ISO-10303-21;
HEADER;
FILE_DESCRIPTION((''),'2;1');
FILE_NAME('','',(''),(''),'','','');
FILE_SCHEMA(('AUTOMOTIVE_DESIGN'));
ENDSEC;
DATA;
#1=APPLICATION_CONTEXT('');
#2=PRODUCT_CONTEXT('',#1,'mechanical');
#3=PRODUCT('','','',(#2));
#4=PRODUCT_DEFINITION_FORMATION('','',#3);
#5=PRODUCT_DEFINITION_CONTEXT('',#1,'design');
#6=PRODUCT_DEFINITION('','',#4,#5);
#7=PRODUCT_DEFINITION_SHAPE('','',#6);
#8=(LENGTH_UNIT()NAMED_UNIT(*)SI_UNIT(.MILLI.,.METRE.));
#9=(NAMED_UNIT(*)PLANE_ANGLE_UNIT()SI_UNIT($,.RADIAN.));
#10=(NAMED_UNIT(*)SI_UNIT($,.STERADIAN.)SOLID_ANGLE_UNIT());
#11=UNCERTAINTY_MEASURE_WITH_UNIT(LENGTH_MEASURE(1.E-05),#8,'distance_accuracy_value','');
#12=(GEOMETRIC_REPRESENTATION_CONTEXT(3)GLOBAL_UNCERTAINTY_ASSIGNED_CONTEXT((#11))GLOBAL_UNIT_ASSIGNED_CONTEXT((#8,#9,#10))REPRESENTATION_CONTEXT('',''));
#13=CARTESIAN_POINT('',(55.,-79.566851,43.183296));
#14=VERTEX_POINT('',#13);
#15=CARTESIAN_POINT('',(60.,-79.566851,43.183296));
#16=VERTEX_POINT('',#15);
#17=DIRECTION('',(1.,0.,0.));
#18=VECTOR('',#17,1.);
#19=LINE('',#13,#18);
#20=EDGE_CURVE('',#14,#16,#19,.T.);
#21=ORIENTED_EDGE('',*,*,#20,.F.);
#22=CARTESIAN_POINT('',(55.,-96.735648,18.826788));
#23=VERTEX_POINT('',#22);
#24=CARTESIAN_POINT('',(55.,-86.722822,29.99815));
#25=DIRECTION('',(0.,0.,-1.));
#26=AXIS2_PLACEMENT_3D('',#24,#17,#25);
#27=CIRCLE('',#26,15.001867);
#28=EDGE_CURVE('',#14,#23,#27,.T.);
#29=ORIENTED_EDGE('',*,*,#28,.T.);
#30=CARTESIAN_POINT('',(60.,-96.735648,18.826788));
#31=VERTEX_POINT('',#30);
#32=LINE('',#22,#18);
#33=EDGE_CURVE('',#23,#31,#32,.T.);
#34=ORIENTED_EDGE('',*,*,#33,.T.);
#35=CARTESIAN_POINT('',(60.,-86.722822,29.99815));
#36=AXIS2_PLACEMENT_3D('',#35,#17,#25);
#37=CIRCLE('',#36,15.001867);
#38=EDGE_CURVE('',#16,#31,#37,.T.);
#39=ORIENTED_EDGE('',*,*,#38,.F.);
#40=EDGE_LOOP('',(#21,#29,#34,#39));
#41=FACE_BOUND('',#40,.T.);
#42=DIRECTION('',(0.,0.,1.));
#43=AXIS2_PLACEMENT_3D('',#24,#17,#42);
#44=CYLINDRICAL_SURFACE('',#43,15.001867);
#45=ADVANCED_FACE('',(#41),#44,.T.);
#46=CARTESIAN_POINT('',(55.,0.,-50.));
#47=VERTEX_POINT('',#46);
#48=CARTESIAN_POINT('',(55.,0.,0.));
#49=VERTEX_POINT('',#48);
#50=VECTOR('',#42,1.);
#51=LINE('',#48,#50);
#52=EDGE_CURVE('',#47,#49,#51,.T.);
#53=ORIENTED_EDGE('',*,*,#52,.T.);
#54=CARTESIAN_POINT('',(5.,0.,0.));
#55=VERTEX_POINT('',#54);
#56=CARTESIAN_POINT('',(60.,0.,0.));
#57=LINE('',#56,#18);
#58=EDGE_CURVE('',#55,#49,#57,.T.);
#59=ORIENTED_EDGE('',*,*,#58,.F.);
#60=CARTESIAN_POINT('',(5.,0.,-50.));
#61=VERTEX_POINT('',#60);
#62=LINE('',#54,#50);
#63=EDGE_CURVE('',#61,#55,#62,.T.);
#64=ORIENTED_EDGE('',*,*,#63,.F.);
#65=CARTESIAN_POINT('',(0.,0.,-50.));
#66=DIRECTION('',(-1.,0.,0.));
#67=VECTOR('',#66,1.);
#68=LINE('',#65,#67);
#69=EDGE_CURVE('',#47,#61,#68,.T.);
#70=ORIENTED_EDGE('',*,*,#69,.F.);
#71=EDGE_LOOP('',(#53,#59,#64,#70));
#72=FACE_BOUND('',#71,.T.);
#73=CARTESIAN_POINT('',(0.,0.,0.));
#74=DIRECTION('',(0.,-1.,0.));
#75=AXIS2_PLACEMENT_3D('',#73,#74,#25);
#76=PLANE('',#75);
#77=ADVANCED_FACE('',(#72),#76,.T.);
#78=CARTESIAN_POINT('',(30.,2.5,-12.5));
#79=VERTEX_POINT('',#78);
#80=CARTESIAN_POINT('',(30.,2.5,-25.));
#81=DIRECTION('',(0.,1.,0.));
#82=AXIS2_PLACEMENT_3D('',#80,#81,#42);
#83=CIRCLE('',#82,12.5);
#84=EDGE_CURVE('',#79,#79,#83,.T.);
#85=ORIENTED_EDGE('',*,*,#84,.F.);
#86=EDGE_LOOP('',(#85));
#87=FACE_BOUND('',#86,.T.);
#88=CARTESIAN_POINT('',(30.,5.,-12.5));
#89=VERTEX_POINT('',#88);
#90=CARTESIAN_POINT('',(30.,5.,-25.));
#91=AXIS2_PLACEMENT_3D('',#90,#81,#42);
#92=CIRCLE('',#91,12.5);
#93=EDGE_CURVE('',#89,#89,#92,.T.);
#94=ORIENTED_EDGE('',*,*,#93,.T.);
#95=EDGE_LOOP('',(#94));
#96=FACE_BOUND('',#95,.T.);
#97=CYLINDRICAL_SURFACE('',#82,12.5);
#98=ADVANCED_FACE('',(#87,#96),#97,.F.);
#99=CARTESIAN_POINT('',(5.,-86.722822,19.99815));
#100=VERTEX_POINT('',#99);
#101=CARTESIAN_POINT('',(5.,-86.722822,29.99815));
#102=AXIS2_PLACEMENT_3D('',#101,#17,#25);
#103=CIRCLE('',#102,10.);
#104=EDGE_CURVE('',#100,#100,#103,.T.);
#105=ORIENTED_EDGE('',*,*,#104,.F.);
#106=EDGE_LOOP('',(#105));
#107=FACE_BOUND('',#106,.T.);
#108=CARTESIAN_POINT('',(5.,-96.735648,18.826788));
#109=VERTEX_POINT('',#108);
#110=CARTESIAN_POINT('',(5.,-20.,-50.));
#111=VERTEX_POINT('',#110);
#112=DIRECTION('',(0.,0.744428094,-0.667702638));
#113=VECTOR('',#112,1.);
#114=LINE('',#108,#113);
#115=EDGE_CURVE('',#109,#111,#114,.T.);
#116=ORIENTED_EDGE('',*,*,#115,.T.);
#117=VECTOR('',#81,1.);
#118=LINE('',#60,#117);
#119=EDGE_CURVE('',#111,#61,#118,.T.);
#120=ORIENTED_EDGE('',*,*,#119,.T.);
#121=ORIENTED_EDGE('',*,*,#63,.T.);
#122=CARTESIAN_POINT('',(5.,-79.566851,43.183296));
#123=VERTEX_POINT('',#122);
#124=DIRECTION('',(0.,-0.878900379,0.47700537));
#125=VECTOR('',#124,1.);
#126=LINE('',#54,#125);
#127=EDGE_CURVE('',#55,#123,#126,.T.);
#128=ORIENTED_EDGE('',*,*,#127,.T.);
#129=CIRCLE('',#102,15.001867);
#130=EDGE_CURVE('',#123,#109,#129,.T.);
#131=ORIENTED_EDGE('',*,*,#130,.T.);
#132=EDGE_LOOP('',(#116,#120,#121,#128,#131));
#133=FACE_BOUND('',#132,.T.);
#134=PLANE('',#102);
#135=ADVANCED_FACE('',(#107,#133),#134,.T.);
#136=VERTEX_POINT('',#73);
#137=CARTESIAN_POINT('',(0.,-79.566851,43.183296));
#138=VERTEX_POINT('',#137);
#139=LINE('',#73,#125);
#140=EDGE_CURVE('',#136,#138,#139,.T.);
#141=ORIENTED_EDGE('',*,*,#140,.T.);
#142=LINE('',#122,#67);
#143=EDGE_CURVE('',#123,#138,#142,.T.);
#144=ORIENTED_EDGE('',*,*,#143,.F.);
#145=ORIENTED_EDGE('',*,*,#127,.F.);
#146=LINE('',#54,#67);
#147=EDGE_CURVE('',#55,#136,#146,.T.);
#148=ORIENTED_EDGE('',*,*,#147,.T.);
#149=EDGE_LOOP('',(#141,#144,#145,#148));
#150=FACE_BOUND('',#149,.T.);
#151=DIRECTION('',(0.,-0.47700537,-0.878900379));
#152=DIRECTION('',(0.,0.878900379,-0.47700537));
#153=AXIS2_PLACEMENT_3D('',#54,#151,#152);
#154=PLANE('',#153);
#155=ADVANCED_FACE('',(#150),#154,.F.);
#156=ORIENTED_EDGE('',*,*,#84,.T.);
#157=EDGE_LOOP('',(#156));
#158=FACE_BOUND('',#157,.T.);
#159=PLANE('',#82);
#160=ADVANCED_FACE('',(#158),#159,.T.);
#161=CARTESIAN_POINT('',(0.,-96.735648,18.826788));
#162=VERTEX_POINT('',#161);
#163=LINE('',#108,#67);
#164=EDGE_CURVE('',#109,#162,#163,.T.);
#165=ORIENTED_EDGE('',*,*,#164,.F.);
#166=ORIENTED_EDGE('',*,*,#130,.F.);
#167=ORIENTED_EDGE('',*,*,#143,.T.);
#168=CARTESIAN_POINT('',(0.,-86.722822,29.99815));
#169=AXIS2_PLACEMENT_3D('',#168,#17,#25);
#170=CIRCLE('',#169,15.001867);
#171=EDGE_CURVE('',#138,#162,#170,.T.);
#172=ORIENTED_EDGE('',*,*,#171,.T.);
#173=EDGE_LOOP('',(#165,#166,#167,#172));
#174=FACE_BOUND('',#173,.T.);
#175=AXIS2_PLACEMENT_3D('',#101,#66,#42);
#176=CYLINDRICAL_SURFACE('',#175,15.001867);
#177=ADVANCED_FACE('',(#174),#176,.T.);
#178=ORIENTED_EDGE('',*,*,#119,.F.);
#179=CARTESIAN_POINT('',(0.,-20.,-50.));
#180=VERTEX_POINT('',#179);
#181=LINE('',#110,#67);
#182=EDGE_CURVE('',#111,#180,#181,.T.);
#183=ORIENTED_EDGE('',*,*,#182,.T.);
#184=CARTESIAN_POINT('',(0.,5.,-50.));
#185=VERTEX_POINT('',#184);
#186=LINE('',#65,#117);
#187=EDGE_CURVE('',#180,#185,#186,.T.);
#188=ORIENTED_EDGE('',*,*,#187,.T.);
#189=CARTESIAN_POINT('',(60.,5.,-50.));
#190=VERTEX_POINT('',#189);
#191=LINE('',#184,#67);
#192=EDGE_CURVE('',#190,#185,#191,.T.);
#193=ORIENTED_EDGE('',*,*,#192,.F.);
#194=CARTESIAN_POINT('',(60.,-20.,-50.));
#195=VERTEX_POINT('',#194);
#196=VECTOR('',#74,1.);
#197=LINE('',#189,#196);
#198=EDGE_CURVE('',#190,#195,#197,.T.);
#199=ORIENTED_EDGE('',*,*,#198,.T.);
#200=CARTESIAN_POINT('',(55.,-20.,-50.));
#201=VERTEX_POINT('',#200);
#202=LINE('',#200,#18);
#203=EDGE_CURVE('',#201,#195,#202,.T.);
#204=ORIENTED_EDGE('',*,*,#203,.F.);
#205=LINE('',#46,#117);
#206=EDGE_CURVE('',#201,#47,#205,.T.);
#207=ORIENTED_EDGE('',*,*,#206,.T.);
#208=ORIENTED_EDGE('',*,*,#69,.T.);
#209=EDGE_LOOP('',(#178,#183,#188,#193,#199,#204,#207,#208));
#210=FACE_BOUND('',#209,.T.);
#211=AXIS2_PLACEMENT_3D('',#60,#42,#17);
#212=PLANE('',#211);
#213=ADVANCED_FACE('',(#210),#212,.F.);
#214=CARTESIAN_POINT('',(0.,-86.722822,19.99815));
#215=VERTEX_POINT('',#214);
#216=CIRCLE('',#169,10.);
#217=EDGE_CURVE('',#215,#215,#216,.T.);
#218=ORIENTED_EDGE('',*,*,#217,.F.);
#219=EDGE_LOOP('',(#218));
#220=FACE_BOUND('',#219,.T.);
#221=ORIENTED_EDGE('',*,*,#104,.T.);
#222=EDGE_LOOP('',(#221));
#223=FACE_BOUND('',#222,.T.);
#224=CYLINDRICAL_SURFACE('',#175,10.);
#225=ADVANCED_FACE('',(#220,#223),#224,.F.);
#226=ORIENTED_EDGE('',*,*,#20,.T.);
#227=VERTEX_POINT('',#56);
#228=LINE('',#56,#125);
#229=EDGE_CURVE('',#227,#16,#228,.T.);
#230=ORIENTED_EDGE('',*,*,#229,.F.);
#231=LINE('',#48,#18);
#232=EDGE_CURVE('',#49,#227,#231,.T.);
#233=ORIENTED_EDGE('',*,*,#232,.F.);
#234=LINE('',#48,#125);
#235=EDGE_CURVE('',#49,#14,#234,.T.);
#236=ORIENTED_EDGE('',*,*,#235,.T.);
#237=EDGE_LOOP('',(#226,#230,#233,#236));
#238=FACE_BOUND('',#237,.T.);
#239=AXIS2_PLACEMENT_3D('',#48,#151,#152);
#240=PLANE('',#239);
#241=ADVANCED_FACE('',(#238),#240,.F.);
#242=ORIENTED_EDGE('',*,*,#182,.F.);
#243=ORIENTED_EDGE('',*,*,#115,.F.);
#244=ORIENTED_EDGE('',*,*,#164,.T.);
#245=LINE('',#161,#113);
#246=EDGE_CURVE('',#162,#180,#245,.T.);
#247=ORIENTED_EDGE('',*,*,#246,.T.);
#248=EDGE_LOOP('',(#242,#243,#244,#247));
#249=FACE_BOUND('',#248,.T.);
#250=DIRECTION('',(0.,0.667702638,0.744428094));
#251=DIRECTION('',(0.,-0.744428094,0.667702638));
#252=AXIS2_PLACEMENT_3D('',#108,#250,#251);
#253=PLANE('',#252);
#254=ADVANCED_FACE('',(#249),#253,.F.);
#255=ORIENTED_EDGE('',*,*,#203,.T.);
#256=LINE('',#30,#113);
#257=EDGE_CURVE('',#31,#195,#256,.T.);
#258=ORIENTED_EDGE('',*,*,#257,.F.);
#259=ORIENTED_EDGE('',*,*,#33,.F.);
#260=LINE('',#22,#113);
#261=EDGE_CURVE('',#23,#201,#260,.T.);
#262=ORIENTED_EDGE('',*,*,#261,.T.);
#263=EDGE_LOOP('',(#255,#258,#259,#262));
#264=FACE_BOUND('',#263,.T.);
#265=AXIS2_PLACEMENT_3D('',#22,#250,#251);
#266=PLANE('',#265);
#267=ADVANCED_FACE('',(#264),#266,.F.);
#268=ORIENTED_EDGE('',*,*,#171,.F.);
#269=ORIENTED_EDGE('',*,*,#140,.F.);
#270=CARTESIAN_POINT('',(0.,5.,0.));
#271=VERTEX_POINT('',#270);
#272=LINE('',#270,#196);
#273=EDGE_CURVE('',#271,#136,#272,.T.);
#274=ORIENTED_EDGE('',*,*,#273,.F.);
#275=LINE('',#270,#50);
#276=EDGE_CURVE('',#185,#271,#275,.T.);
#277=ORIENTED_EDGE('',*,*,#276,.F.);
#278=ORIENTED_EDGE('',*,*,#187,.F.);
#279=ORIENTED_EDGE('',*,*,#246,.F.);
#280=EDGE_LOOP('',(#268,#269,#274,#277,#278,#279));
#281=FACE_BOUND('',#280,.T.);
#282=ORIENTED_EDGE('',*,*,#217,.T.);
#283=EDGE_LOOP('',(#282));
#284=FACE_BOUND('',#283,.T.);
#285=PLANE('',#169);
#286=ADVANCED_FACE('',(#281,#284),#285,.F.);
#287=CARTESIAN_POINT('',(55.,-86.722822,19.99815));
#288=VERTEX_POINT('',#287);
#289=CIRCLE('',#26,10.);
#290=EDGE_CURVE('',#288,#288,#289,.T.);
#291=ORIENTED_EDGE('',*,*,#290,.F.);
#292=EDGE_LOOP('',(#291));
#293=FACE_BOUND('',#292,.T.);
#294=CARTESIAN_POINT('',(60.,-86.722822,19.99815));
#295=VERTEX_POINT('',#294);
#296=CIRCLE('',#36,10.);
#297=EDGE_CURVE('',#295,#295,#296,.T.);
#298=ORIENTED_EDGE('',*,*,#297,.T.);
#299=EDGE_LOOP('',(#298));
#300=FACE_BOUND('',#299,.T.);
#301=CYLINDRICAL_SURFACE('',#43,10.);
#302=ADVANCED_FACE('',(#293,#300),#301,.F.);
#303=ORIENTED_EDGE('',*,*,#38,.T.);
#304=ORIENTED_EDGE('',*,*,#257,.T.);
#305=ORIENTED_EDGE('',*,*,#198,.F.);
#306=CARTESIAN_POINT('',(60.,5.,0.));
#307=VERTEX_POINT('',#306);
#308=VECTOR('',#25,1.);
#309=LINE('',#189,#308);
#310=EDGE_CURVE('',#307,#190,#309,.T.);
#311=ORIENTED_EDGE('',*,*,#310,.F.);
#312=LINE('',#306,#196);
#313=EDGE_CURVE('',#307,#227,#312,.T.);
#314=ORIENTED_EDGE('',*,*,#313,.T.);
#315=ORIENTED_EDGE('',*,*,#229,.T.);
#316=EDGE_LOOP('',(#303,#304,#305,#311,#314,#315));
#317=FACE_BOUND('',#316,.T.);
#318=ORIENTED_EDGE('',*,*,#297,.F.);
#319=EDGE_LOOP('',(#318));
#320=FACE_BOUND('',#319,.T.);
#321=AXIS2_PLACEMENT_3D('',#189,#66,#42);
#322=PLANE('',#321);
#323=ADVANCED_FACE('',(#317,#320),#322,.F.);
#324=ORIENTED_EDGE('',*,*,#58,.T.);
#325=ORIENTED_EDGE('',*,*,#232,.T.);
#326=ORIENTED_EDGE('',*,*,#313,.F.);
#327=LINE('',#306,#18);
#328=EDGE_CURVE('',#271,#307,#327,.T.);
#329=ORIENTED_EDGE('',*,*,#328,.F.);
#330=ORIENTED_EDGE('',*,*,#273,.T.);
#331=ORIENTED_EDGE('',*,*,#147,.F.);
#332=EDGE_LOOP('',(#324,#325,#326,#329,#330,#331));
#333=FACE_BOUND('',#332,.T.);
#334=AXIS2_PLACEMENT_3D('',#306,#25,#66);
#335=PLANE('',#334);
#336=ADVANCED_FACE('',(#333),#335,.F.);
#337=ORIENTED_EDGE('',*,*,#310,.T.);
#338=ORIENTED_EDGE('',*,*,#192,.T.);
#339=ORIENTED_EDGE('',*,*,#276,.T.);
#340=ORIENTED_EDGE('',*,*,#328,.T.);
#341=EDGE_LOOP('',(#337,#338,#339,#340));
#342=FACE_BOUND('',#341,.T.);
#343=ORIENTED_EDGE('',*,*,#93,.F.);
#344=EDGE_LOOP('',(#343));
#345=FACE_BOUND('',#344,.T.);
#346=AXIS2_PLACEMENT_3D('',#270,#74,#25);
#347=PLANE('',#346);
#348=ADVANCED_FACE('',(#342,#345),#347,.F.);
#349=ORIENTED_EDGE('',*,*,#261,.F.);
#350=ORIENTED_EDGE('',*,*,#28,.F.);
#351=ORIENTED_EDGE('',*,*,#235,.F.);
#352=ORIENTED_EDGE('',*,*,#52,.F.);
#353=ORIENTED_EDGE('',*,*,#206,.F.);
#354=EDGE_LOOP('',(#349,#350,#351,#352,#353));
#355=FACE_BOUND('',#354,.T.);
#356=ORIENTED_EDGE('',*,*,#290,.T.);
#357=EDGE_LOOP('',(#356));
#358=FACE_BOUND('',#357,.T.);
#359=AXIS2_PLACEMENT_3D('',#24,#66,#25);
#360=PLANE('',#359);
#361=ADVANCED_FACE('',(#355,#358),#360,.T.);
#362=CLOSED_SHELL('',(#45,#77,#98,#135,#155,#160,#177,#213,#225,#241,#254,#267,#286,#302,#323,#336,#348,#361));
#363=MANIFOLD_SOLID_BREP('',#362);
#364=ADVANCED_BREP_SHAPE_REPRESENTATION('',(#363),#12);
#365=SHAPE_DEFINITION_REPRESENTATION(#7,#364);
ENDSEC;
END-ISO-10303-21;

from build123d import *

# Parameters (mm, degrees)
SKETCH1_R           = 10
BOSS_EXTRUDE3_DEPTH = 5
SKETCH3_W           = 60
SKETCH3_H           = 50
BOSS_EXTRUDE4_DEPTH = 5
SKETCH9_R           = 12.5
CUT_EXTRUDE3_DEPTH  = 2.5


with BuildPart() as part:
    # Sketch1 → Boss-Extrude3 (new body)
    with BuildSketch(Plane(origin=(0, 0, 0), x_dir=(0, 0, -1), z_dir=(1, 0, 0))):
        with BuildLine():
            Line((0, 0), (50, 0))
            Line((50, 0), (50, -20))
            Line((50, -20), (-18.826787969, -96.735647895))
            ThreePointArc((-18.826787969, -96.735647895), (-38.641397295, -98.984562701), (-43.183296189, -79.566851328))
            Line((-43.183296189, -79.566851328), (0, 0))
        make_face()
        with Locations((-29.998149885, -86.722822296)):
            Circle(SKETCH1_R, mode=Mode.SUBTRACT)
    extrude(amount=BOSS_EXTRUDE3_DEPTH)


with BuildPart() as body_2:
    # Mirror6: mirrored copy
    add(part.part.mirror(Plane(origin=(30, 0, 0), x_dir=(0, 0, 1), z_dir=(1, 0, 0))))


with BuildPart() as part_1:
    add(part.part)

    add(body_2.part)  # Boss-Extrude4 merges body 2
    # Sketch3 → Boss-Extrude4 (add)
    with BuildSketch(Plane(origin=(0, 0, 0), x_dir=(1, 0, 0), z_dir=(0, 1, 0))):
        with Locations((30, 25)):
            Rectangle(SKETCH3_W, SKETCH3_H)
    extrude(amount=BOSS_EXTRUDE4_DEPTH)

    # Sketch9 → Cut-Extrude3 (cut)
    with BuildSketch(Plane(origin=(0, 5, 0), x_dir=(1, 0, 0), z_dir=(0, 1, 0))):
        with Locations((30, 25)):
            Circle(SKETCH9_R)
    extrude(amount=-CUT_EXTRUDE3_DEPTH, mode=Mode.SUBTRACT)


solid = part_1.part
